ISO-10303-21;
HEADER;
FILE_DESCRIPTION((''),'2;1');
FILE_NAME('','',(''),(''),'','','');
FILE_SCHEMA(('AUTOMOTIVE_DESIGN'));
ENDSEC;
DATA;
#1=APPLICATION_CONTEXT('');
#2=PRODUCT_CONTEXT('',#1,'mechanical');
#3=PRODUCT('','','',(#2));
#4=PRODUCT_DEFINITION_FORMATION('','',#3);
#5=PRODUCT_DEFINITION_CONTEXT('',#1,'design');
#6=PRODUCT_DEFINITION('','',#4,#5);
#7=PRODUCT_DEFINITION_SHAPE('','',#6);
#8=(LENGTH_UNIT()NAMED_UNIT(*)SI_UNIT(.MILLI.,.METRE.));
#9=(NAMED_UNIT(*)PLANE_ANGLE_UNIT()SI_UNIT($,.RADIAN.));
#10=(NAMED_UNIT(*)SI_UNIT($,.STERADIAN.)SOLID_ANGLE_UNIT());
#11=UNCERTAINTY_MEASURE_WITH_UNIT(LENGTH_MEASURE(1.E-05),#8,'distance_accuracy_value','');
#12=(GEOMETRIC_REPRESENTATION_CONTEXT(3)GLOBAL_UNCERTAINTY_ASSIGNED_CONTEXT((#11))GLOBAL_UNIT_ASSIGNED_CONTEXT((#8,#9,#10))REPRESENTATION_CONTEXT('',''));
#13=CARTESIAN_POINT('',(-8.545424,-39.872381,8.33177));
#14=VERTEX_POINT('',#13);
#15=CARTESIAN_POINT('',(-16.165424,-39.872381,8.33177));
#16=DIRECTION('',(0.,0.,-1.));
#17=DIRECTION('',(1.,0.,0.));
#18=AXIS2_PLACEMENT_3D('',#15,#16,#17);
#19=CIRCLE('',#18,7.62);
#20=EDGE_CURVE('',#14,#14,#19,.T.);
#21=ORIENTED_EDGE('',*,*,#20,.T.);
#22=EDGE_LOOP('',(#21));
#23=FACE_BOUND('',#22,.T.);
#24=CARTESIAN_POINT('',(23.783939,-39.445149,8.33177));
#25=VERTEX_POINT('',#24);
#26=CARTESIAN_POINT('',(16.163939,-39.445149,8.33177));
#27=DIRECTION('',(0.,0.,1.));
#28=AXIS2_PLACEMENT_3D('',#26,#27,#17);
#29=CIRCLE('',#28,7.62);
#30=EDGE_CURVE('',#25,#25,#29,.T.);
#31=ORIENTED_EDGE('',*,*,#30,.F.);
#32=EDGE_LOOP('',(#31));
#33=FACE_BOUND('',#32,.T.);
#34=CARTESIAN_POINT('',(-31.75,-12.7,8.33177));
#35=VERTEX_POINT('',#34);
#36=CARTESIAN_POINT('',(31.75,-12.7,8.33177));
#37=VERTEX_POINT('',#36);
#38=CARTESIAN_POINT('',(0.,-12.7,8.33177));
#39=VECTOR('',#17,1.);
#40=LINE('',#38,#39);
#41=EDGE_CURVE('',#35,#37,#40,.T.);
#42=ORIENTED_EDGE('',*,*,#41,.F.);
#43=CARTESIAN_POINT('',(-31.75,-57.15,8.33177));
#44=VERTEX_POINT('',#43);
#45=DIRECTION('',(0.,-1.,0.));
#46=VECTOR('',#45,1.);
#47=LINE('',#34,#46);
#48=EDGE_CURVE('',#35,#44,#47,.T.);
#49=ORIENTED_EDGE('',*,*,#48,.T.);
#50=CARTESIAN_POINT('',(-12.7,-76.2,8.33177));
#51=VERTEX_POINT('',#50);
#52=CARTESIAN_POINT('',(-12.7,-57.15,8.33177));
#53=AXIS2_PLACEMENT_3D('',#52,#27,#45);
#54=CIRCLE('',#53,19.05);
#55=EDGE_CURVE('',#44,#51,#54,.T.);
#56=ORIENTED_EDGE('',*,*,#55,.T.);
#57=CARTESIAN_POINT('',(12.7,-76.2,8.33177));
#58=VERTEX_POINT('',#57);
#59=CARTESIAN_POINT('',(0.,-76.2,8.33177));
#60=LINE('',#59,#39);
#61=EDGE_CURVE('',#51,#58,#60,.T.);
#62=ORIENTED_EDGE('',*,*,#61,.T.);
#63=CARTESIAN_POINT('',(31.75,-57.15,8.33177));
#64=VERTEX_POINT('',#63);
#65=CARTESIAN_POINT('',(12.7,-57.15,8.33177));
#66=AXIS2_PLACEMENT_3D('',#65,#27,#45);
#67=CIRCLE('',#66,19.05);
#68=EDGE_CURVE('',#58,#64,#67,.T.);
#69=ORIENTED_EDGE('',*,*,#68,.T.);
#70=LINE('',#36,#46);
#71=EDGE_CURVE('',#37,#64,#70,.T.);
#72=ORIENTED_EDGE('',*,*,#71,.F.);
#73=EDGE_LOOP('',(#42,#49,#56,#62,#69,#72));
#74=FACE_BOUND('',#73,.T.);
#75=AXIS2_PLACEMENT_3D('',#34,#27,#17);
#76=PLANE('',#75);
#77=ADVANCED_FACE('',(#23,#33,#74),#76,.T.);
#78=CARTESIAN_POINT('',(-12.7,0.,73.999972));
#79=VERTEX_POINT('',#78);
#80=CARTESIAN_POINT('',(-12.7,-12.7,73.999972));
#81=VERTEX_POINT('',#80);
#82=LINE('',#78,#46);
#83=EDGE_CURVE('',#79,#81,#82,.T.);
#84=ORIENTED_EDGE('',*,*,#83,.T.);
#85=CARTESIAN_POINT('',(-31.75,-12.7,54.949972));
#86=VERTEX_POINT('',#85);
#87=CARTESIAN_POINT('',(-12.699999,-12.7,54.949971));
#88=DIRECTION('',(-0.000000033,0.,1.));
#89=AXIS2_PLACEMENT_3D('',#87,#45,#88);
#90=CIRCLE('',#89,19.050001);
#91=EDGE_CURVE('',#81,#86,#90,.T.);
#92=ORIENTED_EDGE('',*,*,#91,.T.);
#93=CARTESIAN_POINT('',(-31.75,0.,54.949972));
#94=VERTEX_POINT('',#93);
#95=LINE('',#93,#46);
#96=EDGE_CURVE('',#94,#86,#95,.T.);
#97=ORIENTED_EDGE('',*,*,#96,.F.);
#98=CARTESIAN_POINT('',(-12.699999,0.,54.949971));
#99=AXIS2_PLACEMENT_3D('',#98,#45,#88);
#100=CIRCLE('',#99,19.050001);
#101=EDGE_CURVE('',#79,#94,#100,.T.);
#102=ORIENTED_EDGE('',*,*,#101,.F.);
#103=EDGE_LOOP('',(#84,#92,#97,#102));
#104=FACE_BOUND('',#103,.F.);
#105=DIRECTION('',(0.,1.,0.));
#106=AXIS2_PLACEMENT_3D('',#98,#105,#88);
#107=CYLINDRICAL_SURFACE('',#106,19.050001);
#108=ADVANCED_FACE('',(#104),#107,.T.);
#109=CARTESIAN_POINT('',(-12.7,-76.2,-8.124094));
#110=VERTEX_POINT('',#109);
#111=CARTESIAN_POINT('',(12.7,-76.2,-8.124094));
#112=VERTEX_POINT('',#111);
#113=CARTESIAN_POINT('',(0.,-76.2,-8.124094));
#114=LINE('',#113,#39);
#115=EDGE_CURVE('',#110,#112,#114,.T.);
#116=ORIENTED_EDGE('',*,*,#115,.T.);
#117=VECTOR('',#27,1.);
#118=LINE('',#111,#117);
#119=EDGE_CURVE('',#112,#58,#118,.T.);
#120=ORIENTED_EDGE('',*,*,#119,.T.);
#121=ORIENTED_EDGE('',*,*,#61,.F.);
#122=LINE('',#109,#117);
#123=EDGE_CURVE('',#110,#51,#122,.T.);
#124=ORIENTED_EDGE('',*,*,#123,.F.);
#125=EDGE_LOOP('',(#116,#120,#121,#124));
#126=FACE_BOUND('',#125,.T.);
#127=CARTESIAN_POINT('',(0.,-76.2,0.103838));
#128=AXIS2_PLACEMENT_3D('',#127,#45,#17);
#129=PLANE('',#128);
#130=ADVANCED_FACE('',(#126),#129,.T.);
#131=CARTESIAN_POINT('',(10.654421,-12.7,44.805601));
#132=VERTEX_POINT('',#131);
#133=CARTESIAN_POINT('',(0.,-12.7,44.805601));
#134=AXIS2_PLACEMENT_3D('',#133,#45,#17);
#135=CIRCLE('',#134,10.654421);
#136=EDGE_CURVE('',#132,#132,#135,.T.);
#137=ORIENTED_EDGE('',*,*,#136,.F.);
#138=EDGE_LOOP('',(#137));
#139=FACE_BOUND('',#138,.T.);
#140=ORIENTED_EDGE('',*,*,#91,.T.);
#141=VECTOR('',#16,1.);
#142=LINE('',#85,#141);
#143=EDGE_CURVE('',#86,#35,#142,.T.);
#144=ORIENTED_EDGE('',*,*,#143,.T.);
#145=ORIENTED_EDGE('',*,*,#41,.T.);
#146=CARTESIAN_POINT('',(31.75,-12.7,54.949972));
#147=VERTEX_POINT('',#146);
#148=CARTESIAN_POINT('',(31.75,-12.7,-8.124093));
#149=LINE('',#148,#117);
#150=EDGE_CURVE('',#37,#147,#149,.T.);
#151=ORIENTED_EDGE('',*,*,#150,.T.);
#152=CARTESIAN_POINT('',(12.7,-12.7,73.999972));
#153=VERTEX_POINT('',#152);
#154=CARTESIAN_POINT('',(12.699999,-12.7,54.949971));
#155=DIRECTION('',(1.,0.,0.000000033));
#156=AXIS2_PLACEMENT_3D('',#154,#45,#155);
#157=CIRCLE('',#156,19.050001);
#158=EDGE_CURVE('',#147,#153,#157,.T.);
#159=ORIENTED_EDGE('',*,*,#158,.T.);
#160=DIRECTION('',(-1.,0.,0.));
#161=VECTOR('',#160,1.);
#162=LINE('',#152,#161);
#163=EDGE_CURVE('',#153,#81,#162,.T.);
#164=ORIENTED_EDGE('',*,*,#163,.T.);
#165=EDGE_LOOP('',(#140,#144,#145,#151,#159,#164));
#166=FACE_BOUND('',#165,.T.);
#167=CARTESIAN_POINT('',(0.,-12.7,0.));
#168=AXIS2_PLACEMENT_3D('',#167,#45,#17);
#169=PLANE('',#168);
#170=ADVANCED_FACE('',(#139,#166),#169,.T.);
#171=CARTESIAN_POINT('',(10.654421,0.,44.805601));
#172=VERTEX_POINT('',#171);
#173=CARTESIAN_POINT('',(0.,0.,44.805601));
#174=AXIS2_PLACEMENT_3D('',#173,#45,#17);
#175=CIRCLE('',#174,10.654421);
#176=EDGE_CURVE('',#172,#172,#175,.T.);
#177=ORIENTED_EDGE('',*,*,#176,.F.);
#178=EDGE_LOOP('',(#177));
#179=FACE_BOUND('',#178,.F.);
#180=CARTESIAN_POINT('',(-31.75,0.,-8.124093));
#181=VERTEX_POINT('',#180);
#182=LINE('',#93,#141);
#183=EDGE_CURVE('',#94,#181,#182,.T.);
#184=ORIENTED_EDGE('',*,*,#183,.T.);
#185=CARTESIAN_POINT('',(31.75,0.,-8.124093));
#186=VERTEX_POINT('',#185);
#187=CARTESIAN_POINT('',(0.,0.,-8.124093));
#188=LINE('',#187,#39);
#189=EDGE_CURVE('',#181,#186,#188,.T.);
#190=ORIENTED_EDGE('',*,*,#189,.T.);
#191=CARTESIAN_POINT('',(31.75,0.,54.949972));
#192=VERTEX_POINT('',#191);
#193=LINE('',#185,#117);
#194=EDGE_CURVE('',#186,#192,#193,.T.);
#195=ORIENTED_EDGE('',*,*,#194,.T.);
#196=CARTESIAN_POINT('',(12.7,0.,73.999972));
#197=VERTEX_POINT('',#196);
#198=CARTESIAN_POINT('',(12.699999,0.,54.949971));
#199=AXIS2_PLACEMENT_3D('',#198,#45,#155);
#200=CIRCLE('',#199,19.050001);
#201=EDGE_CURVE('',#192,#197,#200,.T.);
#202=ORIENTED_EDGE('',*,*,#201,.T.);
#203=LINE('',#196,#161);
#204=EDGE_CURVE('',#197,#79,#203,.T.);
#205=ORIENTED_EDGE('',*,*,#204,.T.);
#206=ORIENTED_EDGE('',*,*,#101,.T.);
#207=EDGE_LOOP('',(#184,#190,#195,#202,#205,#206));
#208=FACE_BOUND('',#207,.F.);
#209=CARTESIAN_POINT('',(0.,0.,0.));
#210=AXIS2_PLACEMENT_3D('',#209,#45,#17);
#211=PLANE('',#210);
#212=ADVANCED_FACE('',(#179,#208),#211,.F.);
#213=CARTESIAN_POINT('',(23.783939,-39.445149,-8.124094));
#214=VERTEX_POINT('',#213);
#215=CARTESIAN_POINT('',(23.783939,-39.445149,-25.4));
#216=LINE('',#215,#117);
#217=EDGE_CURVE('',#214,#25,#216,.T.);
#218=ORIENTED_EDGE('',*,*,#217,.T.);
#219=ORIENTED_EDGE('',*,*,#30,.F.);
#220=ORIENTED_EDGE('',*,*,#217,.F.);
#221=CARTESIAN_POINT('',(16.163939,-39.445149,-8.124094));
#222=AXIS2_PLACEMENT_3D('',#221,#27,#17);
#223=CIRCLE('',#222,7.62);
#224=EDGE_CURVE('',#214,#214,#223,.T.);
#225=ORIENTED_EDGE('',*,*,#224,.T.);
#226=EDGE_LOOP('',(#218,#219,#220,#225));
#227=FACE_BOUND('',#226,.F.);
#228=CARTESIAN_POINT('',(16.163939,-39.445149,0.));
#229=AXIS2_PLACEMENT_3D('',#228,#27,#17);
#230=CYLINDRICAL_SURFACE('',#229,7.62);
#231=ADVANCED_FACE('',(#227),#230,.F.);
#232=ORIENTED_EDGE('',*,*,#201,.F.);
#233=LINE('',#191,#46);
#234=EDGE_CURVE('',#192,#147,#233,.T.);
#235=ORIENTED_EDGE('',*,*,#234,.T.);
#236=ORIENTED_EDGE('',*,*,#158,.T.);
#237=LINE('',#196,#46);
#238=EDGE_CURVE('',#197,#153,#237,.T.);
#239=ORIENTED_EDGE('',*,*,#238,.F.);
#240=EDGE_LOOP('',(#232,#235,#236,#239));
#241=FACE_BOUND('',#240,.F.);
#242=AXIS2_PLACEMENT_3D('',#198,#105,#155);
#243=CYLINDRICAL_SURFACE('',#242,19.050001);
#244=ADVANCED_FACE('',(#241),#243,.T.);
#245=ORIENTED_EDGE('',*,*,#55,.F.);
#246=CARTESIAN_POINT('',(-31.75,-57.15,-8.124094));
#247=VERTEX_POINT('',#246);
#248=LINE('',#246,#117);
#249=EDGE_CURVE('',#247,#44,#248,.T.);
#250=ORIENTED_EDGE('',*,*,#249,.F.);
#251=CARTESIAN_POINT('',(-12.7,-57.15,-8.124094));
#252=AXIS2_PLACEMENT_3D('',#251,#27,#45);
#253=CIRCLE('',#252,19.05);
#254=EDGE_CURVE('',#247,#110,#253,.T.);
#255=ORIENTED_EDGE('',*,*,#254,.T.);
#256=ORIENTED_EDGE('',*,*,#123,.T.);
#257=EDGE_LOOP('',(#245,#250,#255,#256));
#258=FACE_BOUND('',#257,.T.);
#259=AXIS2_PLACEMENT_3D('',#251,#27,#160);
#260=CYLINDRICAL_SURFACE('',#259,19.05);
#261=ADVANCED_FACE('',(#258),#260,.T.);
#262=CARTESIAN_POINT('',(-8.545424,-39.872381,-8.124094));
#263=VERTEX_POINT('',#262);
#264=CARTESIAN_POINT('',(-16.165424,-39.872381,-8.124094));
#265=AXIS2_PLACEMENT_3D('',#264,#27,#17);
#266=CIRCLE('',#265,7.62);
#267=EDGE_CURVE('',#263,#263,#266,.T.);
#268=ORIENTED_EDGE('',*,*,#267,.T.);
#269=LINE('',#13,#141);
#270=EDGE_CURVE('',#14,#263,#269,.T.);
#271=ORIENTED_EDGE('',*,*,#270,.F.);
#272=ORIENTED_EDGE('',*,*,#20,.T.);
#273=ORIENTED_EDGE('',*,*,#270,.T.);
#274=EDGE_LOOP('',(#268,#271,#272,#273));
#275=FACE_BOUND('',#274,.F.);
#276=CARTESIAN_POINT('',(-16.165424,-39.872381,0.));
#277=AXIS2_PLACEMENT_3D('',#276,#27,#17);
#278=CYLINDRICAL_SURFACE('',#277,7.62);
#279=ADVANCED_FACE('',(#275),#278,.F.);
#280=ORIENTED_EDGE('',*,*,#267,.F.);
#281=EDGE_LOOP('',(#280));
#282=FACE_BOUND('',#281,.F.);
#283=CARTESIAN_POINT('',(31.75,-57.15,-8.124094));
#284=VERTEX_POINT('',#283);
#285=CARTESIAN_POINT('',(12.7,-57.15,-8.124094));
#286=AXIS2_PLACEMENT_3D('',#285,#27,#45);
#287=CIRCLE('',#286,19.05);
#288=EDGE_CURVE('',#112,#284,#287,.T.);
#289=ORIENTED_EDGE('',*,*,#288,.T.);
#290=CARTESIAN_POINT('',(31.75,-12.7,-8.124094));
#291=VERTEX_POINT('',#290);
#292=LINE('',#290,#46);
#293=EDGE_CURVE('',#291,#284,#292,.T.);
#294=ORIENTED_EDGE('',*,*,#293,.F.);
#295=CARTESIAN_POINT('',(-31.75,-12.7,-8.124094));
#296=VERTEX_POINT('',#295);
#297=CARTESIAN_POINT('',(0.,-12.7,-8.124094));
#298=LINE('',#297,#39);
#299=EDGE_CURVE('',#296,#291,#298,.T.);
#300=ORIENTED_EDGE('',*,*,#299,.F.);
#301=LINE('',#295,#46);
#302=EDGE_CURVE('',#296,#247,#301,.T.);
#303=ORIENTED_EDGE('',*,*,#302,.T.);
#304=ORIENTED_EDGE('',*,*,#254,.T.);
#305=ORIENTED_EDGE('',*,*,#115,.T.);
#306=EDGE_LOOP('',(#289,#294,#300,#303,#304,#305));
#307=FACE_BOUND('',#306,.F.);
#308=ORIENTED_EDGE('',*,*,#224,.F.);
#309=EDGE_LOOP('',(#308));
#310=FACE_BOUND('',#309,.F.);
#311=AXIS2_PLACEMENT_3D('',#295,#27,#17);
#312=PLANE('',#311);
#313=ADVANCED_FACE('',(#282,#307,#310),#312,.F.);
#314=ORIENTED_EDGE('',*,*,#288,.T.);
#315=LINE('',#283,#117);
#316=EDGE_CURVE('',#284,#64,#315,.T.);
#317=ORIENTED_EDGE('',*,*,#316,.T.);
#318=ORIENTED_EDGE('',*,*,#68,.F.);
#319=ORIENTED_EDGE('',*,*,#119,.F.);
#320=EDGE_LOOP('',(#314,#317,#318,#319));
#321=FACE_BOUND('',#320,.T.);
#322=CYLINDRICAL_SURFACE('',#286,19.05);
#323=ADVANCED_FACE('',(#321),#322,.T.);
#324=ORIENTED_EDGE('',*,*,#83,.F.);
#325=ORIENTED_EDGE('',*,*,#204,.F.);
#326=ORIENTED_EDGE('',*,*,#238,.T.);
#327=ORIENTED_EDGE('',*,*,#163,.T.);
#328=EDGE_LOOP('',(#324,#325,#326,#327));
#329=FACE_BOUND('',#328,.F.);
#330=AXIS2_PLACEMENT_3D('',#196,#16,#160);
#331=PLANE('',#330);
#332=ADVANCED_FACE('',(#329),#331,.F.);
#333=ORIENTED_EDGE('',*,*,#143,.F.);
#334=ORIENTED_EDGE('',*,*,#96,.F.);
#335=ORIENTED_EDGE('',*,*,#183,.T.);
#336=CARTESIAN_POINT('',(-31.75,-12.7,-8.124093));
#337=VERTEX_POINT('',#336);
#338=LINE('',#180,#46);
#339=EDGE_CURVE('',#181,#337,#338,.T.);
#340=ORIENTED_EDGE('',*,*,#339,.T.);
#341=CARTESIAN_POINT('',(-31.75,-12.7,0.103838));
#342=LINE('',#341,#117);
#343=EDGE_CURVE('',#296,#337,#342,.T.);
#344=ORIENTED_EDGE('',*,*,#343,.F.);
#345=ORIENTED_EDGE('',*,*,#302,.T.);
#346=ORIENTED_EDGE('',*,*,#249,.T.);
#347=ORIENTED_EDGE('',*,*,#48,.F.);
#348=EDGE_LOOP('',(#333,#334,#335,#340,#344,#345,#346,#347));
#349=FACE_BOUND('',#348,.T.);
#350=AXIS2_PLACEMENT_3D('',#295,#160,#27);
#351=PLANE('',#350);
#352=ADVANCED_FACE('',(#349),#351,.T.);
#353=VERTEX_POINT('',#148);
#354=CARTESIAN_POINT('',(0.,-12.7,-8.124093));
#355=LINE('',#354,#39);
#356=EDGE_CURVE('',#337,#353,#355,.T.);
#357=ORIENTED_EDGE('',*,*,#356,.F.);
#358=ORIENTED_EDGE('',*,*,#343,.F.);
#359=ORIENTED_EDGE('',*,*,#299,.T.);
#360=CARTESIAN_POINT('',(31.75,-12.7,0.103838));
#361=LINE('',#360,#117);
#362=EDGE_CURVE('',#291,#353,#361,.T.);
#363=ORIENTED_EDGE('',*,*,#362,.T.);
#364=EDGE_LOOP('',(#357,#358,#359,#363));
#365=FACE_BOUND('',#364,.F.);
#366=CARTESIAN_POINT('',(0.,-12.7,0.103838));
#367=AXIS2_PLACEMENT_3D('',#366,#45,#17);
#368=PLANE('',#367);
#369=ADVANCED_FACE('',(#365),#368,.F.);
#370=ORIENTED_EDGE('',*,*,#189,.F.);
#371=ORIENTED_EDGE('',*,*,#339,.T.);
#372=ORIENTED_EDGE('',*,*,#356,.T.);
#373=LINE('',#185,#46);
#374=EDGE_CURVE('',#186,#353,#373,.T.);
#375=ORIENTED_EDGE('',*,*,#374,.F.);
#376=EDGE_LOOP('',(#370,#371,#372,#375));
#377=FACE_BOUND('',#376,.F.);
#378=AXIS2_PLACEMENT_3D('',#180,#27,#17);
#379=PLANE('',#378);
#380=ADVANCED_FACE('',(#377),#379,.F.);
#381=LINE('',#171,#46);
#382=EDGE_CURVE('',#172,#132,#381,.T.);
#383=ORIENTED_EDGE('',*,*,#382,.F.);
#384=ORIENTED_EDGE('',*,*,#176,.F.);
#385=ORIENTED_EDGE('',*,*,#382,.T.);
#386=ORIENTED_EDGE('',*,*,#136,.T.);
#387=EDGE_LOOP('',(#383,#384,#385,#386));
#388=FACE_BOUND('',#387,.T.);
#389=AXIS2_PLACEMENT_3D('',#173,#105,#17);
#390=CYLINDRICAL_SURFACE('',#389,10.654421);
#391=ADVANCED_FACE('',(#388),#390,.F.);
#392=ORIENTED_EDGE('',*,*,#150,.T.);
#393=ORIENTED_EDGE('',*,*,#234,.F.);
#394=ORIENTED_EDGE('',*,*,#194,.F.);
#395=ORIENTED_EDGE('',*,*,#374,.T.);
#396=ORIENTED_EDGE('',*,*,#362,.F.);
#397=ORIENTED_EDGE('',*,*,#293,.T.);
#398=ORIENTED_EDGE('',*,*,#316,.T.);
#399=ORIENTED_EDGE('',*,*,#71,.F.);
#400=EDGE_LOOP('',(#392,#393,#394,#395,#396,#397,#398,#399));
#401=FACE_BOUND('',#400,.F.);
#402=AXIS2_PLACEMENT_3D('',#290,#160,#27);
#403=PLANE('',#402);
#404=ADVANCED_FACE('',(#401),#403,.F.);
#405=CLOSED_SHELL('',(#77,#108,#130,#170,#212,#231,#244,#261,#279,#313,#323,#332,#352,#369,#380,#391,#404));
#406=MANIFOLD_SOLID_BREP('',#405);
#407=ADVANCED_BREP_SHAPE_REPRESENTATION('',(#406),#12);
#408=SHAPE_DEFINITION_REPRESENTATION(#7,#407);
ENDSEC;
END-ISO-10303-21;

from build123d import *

# Parameters (mm, degrees)
F0_W     = 63.5
F0_H     = 16.248186
F2_DEPTH = 12.7
F1_R     = 10.654421
F3_DEPTH = 12.7
F4_W     = 63.5
F4_H     = 16.455863
F5_DEPTH = 63.5
F6_R     = 19.05
F7_R     = 19.05
F8_R     = 7.62
F9_DEPTH = 25.4


with BuildPart() as f2:
    # F0 (on Front) → F2 (new body)
    with BuildSketch(Plane.XZ):
        Rectangle(F0_W, F0_H)
        with BuildLine():
            Line((-31.75, 8.124093), (31.75, 8.124093))
            Line((31.75, 8.124093), (31.75, 54.949972))
            ThreePointArc((31.75, 54.949972), (26.170384, 68.420356), (12.7, 73.999972))
            Line((12.7, 73.999972), (-12.7, 73.999972))
            ThreePointArc((-12.7, 73.999972), (-26.170384, 68.420356), (-31.75, 54.949972))
            Line((-31.75, 54.949972), (-31.75, 8.124093))
        make_face()
    extrude(amount=F2_DEPTH)

    # F1 (on Front) → F3 (cut)
    with BuildSketch(Plane.XZ):
        with Locations((0, 44.805601)):
            Circle(F1_R)
    extrude(amount=F3_DEPTH, mode=Mode.SUBTRACT)

    # F4 (on face) → F5 (join)
    with BuildSketch(Plane.XZ.offset(12.7)):
        with Locations((0, 0.103838)):
            Rectangle(F4_W, F4_H)
    extrude(amount=F5_DEPTH)

    # F6
    f6_edges = [f2.edges().sort_by_distance(p)[0] for p in [
        (-31.75, -76.2, 0.103839),
    ]]
    fillet(f6_edges, radius=F6_R)

    # F7
    f7_edges = [f2.edges().sort_by_distance(p)[0] for p in [
        (31.75, -76.2, 0.103839),
    ]]
    fillet(f7_edges, radius=F7_R)

    # F8 (on Top) → F9 (cut, symmetric)
    with BuildSketch(Plane.XY):
        with Locations((-16.165424, -39.872381)):
            Circle(F8_R)
        with Locations((16.163939, -39.445149)):
            Circle(F8_R)
    extrude(amount=F9_DEPTH, both=True, mode=Mode.SUBTRACT)


solid = f2.part
